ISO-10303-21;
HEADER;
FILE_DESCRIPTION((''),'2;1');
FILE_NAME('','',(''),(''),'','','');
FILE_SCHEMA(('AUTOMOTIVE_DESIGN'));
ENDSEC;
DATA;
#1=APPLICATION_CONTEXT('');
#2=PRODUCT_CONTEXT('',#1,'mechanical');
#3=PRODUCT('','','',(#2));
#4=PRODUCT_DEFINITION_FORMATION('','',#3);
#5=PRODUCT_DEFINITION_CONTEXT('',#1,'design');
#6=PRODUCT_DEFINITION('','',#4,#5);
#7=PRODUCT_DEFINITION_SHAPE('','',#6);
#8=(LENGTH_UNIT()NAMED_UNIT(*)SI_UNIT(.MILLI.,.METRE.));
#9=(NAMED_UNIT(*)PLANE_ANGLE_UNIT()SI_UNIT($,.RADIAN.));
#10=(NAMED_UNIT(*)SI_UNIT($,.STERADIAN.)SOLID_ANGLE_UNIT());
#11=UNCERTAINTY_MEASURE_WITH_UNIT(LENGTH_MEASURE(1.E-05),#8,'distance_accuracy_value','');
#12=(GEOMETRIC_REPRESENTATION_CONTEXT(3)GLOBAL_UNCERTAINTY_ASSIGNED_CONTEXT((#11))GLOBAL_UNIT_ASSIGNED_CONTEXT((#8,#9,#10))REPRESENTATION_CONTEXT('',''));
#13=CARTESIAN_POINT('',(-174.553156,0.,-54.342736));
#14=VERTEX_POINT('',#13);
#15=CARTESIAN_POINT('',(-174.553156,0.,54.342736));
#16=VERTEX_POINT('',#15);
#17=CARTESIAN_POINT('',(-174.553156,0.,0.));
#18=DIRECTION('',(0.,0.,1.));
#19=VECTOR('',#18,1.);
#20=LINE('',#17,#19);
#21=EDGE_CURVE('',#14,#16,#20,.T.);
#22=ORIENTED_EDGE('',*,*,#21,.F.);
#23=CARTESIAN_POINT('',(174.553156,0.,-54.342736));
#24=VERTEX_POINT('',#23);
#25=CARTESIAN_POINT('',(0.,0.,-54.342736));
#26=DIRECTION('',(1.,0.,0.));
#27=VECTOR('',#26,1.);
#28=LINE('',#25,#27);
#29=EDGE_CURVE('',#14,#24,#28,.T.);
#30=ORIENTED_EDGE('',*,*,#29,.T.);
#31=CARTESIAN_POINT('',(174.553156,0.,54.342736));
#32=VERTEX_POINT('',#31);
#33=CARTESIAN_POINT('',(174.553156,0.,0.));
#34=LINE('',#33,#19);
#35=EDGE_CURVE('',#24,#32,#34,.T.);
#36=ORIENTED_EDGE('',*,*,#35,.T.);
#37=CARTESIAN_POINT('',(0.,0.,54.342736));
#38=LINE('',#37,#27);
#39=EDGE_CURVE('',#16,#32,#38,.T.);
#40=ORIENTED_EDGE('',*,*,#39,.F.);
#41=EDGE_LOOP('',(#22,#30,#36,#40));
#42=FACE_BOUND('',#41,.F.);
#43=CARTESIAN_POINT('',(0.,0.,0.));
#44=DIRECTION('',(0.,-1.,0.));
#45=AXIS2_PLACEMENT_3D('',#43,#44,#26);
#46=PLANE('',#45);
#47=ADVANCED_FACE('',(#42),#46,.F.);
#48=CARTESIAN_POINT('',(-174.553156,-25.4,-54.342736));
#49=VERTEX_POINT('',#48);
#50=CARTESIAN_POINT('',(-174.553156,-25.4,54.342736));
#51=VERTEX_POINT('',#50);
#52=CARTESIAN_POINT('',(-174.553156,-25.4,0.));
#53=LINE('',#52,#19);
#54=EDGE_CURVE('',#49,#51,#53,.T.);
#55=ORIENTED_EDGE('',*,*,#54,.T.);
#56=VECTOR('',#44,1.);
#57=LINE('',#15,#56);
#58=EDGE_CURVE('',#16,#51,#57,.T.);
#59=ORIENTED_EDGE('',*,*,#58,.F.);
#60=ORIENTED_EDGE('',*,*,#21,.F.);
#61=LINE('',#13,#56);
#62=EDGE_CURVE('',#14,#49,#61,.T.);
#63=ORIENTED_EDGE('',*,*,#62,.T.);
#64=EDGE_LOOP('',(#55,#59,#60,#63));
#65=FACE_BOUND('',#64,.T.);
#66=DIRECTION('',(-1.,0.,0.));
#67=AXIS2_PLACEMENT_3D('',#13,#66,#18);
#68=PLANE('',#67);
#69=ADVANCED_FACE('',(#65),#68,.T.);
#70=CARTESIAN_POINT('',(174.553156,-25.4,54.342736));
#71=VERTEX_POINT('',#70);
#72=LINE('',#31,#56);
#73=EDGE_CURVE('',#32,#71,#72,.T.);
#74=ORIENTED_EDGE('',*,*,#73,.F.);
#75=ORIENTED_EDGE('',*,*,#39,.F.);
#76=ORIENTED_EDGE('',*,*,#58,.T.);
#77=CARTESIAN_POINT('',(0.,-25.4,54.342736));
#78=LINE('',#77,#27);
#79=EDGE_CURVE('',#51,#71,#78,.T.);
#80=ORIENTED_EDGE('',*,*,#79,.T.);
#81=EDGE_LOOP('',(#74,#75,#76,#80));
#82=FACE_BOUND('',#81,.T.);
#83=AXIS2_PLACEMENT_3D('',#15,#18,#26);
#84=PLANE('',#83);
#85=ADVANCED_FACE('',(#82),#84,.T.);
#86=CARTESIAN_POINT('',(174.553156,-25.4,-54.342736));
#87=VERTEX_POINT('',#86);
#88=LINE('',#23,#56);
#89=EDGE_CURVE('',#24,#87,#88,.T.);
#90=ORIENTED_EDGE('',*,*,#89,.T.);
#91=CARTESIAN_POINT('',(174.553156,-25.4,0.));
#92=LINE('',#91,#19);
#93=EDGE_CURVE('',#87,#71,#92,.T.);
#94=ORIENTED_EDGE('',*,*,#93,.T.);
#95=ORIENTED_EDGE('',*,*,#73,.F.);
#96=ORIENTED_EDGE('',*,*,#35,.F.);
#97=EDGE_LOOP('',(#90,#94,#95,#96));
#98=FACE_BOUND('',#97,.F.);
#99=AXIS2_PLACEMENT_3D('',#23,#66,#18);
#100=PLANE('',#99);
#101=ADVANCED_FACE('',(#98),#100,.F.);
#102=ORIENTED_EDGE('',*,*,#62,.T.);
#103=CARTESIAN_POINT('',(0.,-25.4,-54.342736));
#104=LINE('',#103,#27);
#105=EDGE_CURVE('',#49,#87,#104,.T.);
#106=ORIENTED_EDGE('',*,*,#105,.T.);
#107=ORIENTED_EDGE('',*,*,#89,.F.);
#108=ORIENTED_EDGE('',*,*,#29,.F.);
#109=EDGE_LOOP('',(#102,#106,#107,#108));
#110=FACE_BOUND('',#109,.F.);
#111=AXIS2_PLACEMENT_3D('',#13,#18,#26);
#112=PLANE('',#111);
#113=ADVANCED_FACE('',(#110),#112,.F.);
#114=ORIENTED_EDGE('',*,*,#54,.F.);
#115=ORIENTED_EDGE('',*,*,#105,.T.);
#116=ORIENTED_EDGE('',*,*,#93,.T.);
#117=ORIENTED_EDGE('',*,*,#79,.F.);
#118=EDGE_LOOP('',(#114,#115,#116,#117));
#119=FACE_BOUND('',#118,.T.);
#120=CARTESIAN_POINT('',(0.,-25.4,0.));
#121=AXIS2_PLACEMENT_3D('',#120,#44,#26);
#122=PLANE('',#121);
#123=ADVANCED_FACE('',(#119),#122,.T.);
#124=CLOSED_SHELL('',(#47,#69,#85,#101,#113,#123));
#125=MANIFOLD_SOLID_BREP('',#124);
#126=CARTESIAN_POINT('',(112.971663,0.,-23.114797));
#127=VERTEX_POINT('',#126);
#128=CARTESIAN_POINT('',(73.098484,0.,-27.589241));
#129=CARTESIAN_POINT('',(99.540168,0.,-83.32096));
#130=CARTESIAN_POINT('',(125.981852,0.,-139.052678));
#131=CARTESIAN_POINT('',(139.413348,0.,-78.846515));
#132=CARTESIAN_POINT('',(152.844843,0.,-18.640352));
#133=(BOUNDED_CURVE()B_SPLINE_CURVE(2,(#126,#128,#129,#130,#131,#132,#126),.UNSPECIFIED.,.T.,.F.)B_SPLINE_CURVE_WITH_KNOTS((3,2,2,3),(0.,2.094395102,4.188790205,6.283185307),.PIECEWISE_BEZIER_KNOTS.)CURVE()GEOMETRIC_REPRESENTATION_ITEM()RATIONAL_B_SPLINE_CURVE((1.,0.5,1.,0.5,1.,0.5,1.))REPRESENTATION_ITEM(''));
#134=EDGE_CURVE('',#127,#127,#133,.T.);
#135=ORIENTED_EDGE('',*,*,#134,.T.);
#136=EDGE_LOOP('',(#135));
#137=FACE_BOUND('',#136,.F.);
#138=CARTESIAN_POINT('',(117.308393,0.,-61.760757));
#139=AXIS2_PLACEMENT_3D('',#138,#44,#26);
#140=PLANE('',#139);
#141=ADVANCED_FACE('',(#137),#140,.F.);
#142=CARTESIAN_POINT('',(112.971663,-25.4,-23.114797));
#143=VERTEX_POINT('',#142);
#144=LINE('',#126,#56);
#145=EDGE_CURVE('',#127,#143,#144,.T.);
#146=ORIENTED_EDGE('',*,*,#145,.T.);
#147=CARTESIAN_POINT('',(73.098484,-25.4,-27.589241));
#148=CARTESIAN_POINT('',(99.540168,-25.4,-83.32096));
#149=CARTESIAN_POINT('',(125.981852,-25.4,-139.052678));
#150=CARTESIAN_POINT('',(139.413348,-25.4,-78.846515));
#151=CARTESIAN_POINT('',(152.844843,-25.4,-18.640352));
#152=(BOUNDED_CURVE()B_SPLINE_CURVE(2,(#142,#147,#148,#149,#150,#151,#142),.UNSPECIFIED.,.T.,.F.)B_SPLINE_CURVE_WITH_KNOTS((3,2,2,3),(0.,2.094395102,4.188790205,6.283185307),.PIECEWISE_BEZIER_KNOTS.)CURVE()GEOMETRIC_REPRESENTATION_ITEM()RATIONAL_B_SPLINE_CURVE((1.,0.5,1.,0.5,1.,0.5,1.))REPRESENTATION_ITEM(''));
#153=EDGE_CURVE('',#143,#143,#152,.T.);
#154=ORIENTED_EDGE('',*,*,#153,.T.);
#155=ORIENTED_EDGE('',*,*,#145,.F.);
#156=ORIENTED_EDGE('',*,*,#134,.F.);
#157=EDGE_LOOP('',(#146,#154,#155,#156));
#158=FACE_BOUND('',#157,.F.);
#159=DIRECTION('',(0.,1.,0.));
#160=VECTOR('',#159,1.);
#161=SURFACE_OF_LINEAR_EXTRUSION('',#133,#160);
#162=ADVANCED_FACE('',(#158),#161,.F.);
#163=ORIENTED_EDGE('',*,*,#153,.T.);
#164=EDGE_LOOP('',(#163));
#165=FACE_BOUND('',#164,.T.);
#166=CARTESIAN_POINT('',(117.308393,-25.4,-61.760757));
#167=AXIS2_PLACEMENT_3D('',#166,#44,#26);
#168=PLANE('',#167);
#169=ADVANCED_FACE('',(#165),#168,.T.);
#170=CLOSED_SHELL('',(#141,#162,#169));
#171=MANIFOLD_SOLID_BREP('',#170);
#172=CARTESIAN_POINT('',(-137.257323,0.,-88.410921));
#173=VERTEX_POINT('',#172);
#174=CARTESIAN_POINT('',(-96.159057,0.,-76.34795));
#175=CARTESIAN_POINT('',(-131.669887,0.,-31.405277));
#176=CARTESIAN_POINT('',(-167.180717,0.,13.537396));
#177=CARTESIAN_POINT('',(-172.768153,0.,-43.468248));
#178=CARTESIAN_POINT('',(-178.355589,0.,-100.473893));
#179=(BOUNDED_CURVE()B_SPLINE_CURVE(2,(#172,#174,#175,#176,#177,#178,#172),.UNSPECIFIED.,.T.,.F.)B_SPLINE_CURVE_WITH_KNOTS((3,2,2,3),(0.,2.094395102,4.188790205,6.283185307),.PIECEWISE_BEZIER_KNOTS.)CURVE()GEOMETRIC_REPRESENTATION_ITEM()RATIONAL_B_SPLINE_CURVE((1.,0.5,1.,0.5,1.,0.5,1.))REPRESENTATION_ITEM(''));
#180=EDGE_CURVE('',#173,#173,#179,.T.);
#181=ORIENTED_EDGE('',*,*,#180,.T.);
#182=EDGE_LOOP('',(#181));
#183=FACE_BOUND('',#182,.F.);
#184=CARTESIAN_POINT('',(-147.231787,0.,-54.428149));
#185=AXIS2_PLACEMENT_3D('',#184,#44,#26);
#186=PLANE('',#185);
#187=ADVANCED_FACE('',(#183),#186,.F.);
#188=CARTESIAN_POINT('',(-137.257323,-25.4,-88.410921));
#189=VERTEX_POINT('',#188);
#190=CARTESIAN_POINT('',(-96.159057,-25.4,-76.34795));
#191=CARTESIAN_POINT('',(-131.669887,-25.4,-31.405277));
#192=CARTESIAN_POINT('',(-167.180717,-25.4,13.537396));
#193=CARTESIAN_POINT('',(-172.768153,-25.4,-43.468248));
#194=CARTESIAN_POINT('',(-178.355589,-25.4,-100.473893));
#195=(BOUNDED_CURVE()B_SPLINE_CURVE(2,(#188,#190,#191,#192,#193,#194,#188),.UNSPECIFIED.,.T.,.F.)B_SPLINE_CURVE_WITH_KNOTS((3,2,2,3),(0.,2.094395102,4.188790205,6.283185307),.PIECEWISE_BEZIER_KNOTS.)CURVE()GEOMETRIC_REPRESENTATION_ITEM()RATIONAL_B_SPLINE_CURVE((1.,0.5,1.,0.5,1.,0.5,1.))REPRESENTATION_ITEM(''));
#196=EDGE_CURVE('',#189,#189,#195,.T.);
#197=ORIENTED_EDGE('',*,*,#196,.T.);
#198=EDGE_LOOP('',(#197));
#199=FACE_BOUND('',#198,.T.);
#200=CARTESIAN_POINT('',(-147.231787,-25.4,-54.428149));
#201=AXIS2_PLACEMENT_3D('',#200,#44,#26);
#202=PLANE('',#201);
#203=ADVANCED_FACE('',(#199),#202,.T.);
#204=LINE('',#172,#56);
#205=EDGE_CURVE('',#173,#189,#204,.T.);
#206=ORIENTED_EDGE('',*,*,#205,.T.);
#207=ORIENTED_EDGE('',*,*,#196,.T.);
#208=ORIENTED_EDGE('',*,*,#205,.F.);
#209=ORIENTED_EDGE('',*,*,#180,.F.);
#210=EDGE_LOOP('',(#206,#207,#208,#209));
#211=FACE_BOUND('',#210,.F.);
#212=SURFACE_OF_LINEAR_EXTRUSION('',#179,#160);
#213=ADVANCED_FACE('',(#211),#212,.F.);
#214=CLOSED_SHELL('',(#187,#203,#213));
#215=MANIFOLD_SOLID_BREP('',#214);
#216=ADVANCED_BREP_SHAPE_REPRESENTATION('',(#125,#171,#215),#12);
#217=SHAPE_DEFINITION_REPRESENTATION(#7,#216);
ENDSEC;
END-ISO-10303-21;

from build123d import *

# Parameters (mm, degrees)
F0_W     = 349.1063117981
F0_H     = 108.6854711175
F2_DEPTH = 25.4


with BuildPart() as f2:
    # F0 (on Front) → F2 (new body)
    with BuildSketch(Plane.XZ):
        Rectangle(F0_W, F0_H)
    extrude(amount=F2_DEPTH)


with BuildPart() as f2b:
    # F1 (on Front) → F2, piece 2 (new body)
    with BuildSketch(Plane.XZ):
        with BuildLine():
            add(Edge.make_bspline(
                [(112.971663475, -23.1147967279), (73.0984838268, -27.5892411071), (99.5401681195, -83.3209595034), (125.9818524122, -139.0526778996), (139.4133477677, -78.8465151241), (152.8448431232, -18.6403523487), (112.971663475, -23.1147967279)],
                knots=[0, 0, 0, 2.0943951024, 2.0943951024, 4.1887902048, 4.1887902048, 6.2831853072, 6.2831853072, 6.2831853072], degree=2, weights=[1, 0.5, 1, 0.5, 1, 0.5, 1]))
        make_face()
    extrude(amount=F2_DEPTH)


with BuildPart() as f2c:
    # F1 (on Front) → F2, piece 3 (new body)
    with BuildSketch(Plane.XZ):
        with BuildLine():
            add(Edge.make_bspline(
                [(-137.257322669, -88.4109213948), (-96.1590567124, -76.3479501494), (-131.6698868519, -31.4052772019), (-167.1807169914, 13.5373957455), (-172.7681528085, -43.4682484474), (-178.3555886256, -100.4738926403), (-137.257322669, -88.4109213948)],
                knots=[0, 0, 0, 2.0943951024, 2.0943951024, 4.1887902048, 4.1887902048, 6.2831853072, 6.2831853072, 6.2831853072], degree=2, weights=[1, 0.5, 1, 0.5, 1, 0.5, 1]))
        make_face()
    extrude(amount=F2_DEPTH)


solid = Compound([f2.part, f2b.part, f2c.part])
